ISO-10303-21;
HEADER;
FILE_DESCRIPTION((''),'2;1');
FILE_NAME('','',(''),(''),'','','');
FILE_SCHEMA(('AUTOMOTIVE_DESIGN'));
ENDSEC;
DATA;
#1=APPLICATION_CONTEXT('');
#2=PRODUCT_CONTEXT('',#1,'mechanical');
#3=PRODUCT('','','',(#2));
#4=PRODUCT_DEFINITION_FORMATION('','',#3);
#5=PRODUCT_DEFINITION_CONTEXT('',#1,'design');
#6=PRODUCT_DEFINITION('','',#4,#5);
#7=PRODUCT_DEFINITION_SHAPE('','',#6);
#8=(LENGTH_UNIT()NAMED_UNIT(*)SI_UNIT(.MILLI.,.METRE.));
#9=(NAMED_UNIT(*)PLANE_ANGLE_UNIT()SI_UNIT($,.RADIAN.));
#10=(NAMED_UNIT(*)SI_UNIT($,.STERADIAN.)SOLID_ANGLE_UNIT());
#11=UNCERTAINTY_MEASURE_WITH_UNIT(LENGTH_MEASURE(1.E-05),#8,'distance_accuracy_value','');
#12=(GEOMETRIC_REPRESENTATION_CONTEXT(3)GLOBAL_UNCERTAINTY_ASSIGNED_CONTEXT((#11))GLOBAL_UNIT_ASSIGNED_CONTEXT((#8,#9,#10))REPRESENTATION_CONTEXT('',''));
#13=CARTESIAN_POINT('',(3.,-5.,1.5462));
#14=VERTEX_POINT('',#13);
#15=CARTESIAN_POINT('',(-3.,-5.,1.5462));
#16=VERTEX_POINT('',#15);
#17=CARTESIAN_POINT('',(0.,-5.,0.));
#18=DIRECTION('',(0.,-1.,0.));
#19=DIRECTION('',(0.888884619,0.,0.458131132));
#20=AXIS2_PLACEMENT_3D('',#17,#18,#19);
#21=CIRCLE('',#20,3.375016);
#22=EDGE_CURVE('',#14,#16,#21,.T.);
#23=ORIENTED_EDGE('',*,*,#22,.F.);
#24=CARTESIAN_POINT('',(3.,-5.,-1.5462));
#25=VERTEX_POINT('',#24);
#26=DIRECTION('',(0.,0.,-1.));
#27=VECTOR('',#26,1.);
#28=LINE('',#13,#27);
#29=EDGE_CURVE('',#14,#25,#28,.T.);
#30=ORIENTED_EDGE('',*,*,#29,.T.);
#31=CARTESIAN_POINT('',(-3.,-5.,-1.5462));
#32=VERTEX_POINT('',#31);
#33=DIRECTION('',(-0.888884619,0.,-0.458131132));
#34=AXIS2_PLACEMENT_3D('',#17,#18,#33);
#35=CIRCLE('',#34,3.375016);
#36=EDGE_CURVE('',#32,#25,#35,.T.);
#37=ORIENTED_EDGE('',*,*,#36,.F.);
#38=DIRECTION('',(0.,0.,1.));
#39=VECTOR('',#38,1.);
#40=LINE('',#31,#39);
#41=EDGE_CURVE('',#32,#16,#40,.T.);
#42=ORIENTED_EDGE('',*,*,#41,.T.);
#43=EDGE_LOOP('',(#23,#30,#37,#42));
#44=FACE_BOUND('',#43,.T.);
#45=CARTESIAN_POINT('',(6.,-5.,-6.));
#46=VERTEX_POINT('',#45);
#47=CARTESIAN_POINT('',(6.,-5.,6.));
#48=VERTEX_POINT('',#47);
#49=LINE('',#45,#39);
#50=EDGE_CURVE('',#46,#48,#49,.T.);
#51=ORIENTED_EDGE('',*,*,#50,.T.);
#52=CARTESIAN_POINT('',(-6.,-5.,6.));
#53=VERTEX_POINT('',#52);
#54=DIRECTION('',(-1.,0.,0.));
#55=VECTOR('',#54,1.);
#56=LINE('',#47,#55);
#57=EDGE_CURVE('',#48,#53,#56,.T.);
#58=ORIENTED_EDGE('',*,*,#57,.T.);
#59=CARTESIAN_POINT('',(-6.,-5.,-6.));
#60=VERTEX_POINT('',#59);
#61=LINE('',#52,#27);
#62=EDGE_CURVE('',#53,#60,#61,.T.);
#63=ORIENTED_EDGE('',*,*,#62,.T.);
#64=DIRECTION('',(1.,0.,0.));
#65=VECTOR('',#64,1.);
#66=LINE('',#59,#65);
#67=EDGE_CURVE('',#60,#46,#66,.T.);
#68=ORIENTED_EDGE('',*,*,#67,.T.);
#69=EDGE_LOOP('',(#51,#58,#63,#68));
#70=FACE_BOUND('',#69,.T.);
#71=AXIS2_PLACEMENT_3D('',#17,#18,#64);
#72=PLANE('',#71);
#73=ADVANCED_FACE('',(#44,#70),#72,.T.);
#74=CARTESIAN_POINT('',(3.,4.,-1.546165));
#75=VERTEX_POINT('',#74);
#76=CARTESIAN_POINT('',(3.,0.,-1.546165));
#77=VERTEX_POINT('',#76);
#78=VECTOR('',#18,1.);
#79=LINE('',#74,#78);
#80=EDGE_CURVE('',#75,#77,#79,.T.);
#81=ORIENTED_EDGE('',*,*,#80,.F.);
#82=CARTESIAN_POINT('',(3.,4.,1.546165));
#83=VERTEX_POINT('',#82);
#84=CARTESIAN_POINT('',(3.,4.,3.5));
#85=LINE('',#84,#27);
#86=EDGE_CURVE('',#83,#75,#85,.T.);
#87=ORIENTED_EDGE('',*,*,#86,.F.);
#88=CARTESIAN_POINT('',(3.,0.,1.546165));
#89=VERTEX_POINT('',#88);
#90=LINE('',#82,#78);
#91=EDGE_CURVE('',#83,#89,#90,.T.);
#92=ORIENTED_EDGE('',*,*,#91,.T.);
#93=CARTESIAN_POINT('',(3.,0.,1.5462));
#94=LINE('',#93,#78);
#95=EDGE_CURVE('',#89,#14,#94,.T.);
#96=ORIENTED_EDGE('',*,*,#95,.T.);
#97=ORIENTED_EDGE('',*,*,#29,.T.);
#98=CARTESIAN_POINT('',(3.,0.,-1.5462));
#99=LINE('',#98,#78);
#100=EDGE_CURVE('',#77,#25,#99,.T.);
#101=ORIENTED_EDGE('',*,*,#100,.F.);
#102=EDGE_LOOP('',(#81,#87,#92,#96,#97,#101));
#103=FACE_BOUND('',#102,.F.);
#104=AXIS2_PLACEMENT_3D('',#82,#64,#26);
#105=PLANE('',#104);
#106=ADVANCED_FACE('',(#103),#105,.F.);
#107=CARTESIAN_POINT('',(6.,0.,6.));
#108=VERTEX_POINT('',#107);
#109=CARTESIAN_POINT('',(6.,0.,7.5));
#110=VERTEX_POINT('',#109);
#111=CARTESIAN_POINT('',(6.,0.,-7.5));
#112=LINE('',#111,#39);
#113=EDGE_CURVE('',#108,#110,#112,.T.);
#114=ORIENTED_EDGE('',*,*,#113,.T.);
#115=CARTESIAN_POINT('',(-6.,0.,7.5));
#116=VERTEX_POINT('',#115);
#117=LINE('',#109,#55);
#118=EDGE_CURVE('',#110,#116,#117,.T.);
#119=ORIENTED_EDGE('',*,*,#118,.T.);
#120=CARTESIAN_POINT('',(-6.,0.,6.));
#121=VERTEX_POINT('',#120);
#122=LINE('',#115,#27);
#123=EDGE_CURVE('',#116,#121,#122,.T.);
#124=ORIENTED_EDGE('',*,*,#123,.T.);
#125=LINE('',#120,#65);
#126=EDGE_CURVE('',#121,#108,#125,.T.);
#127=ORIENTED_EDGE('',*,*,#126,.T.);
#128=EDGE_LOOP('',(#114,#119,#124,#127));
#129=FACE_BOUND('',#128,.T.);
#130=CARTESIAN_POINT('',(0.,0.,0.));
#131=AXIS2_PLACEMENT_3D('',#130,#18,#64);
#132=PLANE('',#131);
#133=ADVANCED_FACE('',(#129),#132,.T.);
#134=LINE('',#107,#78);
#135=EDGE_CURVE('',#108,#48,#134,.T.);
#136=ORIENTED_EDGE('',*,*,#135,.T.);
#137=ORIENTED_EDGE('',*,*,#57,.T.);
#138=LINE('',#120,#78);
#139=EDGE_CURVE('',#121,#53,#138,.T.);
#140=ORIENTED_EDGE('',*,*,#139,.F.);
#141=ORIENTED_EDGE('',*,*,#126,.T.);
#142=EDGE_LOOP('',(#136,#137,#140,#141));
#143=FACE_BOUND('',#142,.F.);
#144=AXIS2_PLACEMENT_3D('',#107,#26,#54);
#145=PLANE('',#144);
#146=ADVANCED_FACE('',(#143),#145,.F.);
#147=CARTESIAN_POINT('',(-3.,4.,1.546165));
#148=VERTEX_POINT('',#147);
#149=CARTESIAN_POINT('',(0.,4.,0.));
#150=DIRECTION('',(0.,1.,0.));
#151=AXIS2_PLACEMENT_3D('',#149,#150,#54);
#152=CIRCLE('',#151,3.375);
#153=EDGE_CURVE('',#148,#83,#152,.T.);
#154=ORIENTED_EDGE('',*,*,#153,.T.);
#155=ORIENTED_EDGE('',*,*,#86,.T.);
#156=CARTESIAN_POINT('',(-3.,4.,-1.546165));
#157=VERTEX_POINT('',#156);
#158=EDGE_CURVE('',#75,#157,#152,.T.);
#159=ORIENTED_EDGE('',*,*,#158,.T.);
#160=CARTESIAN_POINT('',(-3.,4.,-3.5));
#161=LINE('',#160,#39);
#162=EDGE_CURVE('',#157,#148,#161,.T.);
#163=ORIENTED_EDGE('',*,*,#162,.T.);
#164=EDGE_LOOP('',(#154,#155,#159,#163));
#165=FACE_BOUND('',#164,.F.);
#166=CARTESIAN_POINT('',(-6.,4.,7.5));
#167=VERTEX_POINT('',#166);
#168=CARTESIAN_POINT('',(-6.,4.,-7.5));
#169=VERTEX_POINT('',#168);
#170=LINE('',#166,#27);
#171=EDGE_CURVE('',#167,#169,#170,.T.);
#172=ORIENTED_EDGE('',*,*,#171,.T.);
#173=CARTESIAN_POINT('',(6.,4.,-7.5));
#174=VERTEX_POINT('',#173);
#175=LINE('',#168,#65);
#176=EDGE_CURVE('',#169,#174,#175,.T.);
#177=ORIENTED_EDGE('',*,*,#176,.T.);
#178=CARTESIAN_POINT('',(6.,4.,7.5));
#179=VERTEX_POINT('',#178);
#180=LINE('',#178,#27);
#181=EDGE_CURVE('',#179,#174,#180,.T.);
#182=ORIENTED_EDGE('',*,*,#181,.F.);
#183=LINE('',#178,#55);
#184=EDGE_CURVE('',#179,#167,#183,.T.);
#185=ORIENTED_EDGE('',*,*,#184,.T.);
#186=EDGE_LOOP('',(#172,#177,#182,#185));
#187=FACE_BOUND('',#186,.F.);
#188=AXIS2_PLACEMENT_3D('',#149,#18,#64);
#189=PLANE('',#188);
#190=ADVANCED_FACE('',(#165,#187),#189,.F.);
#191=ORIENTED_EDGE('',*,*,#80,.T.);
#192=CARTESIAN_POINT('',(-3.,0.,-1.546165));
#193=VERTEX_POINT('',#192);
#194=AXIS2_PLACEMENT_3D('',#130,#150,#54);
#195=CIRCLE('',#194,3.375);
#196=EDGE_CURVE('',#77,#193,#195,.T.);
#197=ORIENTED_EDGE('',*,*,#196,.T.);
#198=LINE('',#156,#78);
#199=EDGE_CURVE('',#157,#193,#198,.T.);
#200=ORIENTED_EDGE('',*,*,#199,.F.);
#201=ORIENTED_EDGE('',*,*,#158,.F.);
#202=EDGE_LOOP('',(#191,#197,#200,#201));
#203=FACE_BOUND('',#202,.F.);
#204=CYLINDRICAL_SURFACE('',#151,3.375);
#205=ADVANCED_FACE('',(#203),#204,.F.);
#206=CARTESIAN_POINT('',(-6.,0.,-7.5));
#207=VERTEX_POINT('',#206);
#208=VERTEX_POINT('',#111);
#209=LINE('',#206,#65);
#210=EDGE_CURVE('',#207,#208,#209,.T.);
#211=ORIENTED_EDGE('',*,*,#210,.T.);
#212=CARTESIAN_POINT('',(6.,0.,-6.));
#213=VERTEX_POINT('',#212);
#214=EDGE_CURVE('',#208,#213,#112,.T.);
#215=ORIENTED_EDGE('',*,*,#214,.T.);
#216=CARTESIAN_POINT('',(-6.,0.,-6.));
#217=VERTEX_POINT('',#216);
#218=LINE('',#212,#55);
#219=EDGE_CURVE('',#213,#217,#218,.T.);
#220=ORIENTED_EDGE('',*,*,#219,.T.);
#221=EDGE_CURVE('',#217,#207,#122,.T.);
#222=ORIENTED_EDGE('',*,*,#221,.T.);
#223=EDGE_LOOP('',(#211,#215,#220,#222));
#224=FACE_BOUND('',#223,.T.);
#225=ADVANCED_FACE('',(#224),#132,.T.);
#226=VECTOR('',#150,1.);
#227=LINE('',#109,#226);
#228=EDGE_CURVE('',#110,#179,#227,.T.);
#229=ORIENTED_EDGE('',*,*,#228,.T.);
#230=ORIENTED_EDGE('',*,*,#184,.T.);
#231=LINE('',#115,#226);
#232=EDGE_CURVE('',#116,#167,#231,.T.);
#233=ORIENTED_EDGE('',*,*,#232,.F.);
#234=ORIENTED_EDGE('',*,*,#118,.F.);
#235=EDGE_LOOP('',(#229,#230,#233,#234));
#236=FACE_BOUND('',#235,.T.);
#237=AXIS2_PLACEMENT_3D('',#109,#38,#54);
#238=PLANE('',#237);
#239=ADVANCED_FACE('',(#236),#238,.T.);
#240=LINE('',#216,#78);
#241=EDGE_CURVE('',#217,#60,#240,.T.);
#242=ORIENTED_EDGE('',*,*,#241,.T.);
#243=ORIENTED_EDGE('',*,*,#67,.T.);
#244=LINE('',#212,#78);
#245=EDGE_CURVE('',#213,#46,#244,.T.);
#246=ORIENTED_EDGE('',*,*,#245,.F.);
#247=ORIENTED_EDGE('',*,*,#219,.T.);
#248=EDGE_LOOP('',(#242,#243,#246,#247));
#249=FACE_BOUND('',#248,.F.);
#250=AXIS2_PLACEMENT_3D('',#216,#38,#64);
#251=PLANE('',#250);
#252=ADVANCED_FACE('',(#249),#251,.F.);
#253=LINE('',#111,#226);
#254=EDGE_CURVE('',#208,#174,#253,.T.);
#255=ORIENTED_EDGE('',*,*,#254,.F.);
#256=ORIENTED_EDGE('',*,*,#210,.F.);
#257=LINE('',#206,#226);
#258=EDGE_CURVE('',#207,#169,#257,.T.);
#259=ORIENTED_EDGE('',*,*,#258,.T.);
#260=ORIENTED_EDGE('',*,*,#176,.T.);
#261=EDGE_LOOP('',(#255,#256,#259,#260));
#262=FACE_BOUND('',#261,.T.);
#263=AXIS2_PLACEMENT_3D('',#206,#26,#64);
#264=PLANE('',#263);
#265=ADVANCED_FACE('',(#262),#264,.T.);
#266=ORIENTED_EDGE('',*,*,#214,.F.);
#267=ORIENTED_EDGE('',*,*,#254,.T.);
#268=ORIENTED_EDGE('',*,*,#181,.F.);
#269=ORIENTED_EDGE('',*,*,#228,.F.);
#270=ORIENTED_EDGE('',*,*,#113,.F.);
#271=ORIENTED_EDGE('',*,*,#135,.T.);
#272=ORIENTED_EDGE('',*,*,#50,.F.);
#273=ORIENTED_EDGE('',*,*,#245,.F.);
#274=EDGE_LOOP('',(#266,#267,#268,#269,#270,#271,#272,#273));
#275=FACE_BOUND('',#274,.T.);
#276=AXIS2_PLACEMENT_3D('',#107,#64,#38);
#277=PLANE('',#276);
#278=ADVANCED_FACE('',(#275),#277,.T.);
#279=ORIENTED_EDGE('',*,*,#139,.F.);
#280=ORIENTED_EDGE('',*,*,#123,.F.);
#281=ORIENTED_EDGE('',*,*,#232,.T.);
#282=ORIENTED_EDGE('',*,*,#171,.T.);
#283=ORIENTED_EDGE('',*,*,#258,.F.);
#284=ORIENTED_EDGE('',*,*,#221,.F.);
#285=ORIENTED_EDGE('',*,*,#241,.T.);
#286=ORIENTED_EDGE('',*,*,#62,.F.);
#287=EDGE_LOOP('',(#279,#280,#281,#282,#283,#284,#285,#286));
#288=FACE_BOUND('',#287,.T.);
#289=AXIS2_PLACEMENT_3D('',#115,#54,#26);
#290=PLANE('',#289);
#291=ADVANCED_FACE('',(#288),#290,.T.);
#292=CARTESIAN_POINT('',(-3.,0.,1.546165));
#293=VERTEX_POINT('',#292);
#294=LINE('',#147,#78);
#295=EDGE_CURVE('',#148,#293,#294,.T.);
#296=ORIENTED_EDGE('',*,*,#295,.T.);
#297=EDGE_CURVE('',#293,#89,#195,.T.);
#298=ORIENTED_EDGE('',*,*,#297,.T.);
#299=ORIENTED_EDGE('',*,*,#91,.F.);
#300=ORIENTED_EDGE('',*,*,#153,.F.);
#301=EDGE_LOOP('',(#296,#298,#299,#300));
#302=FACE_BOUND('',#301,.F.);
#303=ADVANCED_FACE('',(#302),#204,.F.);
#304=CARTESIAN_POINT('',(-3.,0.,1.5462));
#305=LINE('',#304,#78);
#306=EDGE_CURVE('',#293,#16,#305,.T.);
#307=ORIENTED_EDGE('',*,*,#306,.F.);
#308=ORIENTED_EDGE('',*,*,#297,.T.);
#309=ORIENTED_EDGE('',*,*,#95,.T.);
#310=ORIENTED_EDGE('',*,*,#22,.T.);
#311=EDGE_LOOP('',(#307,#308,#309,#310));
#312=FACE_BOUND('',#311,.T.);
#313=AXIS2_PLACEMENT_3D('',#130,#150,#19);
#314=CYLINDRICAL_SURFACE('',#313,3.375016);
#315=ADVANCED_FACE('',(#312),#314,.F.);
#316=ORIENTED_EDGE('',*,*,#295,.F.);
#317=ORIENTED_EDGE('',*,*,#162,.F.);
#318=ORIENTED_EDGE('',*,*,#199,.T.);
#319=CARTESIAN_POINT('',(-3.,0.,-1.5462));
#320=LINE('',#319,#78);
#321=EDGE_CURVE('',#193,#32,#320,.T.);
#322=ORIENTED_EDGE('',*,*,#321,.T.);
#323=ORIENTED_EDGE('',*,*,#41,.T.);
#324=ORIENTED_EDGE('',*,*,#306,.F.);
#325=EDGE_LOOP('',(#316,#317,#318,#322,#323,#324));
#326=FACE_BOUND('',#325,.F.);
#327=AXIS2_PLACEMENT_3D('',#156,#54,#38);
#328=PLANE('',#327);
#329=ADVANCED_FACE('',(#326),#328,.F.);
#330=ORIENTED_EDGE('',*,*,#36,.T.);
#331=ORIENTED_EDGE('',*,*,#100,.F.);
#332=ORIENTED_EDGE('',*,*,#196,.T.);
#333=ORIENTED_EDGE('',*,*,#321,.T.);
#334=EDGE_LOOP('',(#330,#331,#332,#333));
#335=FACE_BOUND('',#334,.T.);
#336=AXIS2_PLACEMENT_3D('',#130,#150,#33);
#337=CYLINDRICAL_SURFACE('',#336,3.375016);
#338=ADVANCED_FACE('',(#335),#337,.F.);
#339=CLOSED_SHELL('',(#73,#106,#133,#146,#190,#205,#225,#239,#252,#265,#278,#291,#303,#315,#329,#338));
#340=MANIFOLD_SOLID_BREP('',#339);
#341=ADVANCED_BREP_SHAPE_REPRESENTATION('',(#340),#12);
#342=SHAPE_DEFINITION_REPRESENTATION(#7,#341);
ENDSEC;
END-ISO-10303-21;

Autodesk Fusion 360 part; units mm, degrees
sketch "Sketch1" plane through (0, 0, 0) normal (0, 1, 0) x (1, 0, 0)
  line L0 (6, 6) -> (-6, 6)
  line L1 (-6, 6) -> (-6, -6)
  line L2 (-6, -6) -> (6, -6)
  line L3 (6, -6) -> (6, 6)
  line L4 (6, 6) -> (-6, -6) construction
  line L5 (-6, 6) -> (6, -6) construction
  dimension "d1" = 12
  dimension "d2" = 12
extrude "Extrude1" add sketch "Sketch1" along normal blind 4 makes body 1
sketch "Sketch2" plane through (0, 4, 0) normal (0, 1, 0) x (-1, 0, 0)
  line L0 (-6, 6) -> (-6, -6)
  line L1 (-6, -6) -> (6, -6)
  line L2 (6, -6) -> (6, 6)
  line L3 (6, 6) -> (-6, 6)
  circle A0 centre (0, 0) radius 3.375
  line L4 (-3, -3.5) -> (3, -3.5)
  line L5 (3, -3.5) -> (3, 3.5)
  line L6 (3, 3.5) -> (-3, 3.5)
  line L7 (-3, 3.5) -> (-3, -3.5)
  line L8 (-3, -3.5) -> (3, 3.5) construction
  line L9 (3, -3.5) -> (-3, 3.5) construction
  dimension "d5" = 6.75
  dimension "d6" = 6
  dimension "d7" = 7
extrude "Extrude2" cut sketch "Sketch2" against normal blind 5 contours A0 L5 L7 bodies 1
sketch "Sketch3" plane through (0, 0, 0) normal (0, -1, 0) x (1, 0, 0)
  line L0 (3, 1.5462) -> (3, -1.5462)
  arc A0 (-3, -1.5462) -> (3, -1.5462) centre (0, 0) ccw
  line L1 (-3, -1.5462) -> (-3, 1.5462)
  arc A1 (3, 1.5462) -> (-3, 1.5462) centre (0, 0) ccw
  line L2 (6, -6) -> (6, 6)
  line L3 (6, 6) -> (-6, 6)
  line L4 (-6, 6) -> (-6, -6)
  line L5 (-6, -6) -> (6, -6)
  line L6 (6, 7.5) -> (-6, 7.5)
  line L7 (-6, 7.5) -> (-6, -7.5)
  line L8 (-6, -7.5) -> (6, -7.5)
  line L9 (6, -7.5) -> (6, 7.5)
  line L10 (6, 7.5) -> (-6, -7.5) construction
  line L11 (-6, 7.5) -> (6, -7.5) construction
  dimension "d10" = 12
  dimension "d11" = 15
extrude "Extrude3" add sketch "Sketch3" against normal blind 4 separate body contours L5 L7 L8 L9 | L3 L6 L7 L9 makes body 2 at (2, 1.3333, 6) makes body 3 at (-2, 1.3333, -7.5)
sketch "Sketch4" plane through (0, 0, 0) normal (0, -1, 0) x (1, 0, 0)
  line L0 (3, 1.5462) -> (3, -1.5462)
  arc A0 (-3, -1.5462) -> (3, -1.5462) centre (0, 0) ccw
  line L1 (-3, -1.5462) -> (-3, 1.5462)
  arc A1 (3, 1.5462) -> (-3, 1.5462) centre (0, 0) ccw
  line L2 (6, -6) -> (6, 6)
  line L3 (6, 6) -> (-6, 6)
  line L4 (-6, 6) -> (-6, -6)
  line L5 (-6, -6) -> (6, -6)
  line L6 (6, 6) -> (-6, 6)
  line L7 (-6, 6) -> (-6, -6)
  line L8 (-6, -6) -> (6, -6)
  line L9 (6, -6) -> (6, 6)
  line L10 (6, 6) -> (-6, -6) construction
  line L11 (-6, 6) -> (6, -6) construction
  dimension "d14" = 12
  dimension "d15" = 12
extrude "Extrude4" add sketch "Sketch4" along normal blind 5 bodies 1 2 3
sketch "Sketch5" plane through (0, -5, 0) normal (0, -1, 0) x (1, 0, 0)
  arc A0 (-3, -1.5462) -> (3, -1.5462) centre (0, 0) ccw
  line L0 (-3, -1.5462) -> (-3, 1.5462)
  arc A1 (3, 1.5462) -> (-3, 1.5462) centre (0, 0) ccw
  line L1 (3, 1.5462) -> (3, -1.5462)
  line L2 (6, -6) -> (6, 6)
  line L3 (6, 6) -> (-6, 6)
  line L4 (-6, 6) -> (-6, -6)
  line L5 (-6, -6) -> (6, -6)
  line L6 (5, 5.6) -> (-5, 5.6)
  line L7 (-5, 5.6) -> (-5, -5.6)
  line L8 (-5, -5.6) -> (5, -5.6)
  line L9 (5, -5.6) -> (5, 5.6)
  line L10 (5, 5.6) -> (-5, -5.6) construction
  line L11 (-5, 5.6) -> (5, -5.6) construction
  dimension "d18" = 11.2
